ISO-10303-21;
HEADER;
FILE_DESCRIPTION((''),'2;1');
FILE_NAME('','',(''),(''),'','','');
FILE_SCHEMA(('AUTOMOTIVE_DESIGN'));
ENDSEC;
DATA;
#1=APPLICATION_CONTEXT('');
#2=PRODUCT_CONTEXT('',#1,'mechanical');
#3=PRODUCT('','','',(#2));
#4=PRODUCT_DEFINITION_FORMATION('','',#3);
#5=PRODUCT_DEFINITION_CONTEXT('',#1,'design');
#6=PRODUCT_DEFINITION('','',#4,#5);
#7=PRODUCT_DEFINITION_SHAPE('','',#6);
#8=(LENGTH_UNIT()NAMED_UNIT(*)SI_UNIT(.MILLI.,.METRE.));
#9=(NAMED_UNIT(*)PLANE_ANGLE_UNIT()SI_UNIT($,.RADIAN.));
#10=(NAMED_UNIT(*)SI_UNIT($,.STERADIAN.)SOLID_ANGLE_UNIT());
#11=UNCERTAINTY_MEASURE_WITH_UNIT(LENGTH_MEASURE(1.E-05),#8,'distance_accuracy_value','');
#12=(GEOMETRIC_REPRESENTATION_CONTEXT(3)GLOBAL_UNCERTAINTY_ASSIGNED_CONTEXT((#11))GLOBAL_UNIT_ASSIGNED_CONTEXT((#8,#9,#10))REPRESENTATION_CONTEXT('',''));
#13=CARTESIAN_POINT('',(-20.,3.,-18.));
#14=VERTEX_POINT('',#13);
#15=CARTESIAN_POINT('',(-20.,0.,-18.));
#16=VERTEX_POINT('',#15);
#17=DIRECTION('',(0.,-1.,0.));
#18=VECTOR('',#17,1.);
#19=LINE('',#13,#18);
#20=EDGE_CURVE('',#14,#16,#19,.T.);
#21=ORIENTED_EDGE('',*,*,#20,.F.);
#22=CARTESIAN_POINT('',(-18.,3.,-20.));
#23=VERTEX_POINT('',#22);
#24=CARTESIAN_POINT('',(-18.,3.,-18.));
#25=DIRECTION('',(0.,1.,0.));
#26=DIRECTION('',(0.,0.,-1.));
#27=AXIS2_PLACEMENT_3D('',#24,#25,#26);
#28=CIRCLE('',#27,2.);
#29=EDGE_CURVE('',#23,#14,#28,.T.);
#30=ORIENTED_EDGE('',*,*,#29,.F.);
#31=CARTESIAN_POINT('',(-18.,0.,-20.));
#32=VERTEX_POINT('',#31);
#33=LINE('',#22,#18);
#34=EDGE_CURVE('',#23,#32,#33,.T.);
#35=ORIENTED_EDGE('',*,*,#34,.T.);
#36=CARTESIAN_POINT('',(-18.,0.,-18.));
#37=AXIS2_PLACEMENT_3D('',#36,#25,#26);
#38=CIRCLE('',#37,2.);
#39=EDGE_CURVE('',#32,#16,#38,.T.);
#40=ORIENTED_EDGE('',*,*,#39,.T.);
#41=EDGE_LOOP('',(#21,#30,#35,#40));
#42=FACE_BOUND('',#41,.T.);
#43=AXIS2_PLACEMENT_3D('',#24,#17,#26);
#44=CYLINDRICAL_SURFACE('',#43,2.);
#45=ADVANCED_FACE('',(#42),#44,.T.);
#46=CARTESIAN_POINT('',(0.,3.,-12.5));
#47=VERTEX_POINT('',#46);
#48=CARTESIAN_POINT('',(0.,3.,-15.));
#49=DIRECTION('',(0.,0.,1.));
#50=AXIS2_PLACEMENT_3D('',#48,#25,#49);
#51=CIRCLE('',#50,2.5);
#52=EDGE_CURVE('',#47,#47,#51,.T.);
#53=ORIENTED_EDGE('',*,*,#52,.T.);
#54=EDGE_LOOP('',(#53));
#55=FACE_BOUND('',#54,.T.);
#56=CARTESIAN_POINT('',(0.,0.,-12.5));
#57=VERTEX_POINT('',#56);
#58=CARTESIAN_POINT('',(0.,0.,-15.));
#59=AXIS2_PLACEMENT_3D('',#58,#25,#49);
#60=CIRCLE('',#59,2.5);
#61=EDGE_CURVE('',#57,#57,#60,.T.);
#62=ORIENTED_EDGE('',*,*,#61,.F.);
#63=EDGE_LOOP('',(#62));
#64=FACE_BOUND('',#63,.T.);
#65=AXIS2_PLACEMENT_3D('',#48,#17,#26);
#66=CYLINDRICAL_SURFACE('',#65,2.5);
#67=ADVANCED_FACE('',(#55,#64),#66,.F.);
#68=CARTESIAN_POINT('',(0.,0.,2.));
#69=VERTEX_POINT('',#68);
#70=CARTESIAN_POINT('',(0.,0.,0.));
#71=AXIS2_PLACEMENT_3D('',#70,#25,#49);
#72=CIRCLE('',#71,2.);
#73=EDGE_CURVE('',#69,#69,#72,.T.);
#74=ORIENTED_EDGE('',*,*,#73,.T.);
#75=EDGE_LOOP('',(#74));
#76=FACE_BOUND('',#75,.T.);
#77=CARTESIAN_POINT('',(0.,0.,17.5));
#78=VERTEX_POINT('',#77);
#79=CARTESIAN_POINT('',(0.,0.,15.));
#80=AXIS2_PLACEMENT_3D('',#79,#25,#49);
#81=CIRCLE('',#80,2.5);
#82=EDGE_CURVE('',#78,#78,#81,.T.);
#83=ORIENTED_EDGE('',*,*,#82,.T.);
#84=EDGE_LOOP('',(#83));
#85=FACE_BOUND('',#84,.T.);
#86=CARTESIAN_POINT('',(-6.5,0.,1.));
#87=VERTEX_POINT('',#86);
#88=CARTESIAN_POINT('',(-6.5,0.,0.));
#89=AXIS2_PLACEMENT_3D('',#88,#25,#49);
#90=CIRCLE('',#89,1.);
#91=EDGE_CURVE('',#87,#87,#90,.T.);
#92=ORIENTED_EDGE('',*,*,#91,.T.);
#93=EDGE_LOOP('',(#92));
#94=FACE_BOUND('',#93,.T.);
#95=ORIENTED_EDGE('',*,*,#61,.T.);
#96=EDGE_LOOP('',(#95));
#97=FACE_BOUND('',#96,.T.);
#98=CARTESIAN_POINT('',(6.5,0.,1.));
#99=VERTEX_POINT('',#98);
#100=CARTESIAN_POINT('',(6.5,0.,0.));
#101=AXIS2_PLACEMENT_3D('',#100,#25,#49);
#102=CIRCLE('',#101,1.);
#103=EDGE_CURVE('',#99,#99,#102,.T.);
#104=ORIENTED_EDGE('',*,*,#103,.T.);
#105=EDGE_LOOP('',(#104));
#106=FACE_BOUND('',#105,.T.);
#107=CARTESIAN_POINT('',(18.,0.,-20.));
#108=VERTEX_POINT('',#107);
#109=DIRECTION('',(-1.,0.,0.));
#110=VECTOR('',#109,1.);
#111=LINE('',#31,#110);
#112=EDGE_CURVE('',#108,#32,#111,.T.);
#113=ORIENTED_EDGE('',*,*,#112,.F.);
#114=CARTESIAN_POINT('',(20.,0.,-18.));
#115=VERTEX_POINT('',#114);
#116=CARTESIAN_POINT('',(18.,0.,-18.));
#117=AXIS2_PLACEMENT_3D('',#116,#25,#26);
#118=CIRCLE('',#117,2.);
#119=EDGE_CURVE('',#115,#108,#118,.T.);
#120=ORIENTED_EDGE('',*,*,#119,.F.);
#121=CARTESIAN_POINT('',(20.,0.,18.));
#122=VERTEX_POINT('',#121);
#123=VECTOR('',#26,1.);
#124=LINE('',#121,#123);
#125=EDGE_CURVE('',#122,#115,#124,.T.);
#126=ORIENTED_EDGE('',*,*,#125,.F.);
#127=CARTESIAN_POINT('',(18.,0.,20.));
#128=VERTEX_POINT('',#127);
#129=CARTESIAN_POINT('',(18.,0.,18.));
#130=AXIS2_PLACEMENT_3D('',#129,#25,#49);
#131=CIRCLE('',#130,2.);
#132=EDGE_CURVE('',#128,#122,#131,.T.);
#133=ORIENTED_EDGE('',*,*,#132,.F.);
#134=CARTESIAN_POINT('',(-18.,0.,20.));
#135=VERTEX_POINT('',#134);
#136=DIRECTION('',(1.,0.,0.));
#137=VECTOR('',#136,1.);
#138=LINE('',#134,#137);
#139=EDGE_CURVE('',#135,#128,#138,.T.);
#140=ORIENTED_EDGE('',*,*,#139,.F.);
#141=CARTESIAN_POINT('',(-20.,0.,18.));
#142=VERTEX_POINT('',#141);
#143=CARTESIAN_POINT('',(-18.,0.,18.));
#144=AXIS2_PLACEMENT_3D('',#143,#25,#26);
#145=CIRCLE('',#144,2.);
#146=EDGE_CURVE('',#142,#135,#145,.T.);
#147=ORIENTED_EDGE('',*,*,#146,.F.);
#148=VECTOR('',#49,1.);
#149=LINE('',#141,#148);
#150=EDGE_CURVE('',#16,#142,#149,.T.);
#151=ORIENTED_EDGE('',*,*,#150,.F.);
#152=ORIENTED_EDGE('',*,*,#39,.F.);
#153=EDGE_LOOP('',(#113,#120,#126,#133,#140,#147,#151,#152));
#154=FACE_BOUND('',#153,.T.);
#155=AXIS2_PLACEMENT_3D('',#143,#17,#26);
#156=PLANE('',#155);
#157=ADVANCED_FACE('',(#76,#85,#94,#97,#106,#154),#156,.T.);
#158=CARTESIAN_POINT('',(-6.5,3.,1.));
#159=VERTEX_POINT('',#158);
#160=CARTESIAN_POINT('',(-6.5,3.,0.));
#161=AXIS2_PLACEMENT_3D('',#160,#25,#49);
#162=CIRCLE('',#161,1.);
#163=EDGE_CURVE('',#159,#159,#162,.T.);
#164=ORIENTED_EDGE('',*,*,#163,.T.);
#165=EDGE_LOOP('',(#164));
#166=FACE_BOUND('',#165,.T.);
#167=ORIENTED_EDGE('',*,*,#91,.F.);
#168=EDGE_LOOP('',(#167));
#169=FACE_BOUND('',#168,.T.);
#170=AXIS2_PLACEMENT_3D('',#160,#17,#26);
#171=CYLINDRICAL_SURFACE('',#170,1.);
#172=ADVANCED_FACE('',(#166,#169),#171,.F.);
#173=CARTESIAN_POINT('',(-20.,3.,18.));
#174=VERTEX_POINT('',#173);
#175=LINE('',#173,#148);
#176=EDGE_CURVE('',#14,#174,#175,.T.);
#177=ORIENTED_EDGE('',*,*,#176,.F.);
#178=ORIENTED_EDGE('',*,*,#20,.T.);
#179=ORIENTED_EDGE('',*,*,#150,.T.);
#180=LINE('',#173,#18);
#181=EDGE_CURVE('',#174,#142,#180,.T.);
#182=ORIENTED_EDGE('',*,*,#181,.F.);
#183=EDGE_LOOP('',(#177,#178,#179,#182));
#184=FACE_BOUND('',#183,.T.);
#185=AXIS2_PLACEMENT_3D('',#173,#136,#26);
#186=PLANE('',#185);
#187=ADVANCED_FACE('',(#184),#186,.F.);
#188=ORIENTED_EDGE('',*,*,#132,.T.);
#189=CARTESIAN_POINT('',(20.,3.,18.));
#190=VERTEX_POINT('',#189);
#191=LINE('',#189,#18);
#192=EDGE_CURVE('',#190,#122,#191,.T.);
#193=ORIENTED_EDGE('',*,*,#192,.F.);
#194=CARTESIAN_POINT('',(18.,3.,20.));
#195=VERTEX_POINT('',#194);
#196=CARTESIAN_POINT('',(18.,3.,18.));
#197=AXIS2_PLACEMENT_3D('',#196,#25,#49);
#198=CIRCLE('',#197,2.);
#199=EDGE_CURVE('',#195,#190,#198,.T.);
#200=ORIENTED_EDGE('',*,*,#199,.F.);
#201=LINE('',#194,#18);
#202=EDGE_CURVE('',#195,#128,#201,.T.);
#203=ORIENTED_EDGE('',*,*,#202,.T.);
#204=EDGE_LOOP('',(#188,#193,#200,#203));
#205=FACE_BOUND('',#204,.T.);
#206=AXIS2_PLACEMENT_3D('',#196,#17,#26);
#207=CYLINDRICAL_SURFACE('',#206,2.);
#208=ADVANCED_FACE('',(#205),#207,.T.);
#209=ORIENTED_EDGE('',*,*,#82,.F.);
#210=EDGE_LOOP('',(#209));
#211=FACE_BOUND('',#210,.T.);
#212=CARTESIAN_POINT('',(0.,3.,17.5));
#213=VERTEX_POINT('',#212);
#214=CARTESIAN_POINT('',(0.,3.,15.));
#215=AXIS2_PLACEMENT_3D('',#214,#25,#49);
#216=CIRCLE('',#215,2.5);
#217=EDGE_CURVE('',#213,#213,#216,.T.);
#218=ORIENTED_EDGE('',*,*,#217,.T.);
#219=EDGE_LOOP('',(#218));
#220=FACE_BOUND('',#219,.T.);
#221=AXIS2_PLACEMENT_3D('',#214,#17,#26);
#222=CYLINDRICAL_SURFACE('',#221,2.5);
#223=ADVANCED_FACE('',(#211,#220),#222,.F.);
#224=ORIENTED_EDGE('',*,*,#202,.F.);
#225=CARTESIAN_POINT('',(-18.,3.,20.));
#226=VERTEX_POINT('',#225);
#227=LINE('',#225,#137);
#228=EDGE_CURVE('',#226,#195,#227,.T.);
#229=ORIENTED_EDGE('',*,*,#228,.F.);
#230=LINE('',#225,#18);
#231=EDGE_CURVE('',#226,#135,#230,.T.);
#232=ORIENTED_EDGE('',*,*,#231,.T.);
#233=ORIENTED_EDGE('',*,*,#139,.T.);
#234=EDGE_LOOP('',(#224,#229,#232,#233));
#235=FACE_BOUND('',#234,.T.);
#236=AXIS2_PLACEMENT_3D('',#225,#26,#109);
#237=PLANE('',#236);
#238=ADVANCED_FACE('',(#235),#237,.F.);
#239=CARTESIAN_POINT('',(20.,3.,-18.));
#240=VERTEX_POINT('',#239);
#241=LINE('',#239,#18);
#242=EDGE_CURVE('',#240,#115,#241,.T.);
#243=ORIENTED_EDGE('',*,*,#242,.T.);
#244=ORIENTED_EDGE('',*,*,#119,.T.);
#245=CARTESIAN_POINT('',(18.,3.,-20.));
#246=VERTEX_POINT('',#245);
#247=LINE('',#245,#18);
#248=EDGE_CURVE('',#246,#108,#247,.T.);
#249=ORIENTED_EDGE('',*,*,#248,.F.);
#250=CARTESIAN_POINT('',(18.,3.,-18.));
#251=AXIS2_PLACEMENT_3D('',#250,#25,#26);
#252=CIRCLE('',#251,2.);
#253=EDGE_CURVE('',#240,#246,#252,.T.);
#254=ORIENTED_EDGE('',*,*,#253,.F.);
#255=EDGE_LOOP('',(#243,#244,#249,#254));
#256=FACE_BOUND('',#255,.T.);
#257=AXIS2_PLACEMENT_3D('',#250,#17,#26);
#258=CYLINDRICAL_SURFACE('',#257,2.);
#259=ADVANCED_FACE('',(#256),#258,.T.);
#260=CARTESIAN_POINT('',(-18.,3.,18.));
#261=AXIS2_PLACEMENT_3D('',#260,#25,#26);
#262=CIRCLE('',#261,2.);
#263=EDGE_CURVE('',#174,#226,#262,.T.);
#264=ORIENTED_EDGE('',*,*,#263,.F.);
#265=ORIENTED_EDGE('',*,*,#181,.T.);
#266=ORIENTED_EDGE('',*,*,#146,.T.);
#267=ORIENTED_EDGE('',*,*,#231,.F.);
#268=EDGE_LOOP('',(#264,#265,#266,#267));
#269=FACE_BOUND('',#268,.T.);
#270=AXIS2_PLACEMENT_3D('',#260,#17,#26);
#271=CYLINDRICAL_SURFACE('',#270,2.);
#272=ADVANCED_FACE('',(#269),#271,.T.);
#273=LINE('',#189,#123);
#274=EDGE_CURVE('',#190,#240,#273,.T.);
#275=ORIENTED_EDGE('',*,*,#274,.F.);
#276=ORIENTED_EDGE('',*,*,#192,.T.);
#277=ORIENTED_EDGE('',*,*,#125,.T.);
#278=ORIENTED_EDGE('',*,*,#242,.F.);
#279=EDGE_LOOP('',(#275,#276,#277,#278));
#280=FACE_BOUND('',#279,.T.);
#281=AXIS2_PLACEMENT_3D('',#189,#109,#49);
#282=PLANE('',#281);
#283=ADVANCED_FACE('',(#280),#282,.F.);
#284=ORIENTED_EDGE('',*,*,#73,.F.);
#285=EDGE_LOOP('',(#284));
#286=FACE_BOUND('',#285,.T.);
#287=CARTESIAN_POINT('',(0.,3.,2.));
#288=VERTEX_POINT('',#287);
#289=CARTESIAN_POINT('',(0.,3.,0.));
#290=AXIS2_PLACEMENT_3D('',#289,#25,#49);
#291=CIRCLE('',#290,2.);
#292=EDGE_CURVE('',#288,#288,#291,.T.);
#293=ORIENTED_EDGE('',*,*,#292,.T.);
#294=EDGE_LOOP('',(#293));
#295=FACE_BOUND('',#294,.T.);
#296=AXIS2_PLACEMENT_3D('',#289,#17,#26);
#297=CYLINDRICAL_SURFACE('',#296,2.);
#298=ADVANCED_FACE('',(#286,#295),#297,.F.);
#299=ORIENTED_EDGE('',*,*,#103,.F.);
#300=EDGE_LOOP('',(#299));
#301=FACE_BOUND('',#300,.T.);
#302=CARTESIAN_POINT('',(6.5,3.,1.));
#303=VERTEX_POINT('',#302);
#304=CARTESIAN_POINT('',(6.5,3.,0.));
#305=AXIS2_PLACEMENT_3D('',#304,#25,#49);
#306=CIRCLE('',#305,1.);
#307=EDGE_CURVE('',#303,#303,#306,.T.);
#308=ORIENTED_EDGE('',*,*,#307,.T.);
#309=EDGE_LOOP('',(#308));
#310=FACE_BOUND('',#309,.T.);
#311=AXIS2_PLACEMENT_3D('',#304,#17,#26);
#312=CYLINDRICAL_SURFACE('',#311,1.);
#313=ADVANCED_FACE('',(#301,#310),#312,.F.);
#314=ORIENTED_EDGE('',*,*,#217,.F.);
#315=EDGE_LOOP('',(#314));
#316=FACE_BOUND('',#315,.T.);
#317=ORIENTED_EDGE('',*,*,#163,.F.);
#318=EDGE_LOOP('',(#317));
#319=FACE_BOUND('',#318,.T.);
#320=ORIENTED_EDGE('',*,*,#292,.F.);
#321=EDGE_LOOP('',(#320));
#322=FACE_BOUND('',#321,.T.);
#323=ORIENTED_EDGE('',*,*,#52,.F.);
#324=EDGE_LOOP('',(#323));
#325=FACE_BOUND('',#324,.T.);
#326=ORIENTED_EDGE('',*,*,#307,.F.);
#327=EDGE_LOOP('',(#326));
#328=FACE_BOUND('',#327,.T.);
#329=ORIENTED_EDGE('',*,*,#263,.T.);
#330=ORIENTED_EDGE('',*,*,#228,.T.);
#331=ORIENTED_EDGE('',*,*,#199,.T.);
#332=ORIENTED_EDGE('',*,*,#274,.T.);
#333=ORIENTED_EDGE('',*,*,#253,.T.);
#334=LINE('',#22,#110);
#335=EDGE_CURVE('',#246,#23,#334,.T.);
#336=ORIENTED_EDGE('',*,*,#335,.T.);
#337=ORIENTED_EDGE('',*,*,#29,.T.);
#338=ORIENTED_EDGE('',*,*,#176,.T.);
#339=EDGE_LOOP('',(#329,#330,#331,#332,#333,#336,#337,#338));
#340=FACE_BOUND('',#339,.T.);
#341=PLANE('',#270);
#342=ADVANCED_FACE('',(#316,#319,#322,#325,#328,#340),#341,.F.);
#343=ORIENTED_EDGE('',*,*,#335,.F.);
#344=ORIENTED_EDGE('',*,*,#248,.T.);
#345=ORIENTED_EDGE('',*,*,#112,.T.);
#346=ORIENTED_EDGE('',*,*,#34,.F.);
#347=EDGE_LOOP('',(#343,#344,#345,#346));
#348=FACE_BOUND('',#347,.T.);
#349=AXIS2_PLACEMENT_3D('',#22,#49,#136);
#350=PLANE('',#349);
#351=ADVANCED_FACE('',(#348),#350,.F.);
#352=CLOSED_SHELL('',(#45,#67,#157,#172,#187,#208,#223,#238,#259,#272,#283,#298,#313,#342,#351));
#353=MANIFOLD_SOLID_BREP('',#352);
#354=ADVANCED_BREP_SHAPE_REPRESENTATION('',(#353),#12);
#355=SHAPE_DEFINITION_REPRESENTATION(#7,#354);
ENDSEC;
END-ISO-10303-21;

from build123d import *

# Parameters (mm, degrees)
BOSS_EXTRUDE1_DEPTH = 3
SKETCH3_R           = 2
SKETCH3_R_2         = 2.5
CUT_EXTRUDE3_DEPTH  = 29.442925307
SKETCH4_R           = 1
CUT_EXTRUDE4_DEPTH  = 3


with BuildPart() as part:
    # Sketch2 → Boss-Extrude1 (new body)
    with BuildSketch(Plane(origin=(0, 0, 0), x_dir=(1, 0, 0), z_dir=(0, 1, 0))):
        with BuildLine():
            Line((-18, -20), (18, -20))
            ThreePointArc((18, -20), (19.414213562, -19.414213562), (20, -18))
            Line((20, -18), (20, 18))
            ThreePointArc((20, 18), (19.414213562, 19.414213562), (18, 20))
            Line((18, 20), (-18, 20))
            ThreePointArc((-18, 20), (-19.414213562, 19.414213562), (-20, 18))
            Line((-20, 18), (-20, -18))
            ThreePointArc((-20, -18), (-19.414213562, -19.414213562), (-18, -20))
        make_face()
    extrude(amount=BOSS_EXTRUDE1_DEPTH)

    # Sketch3 → Cut-Extrude3 (cut, through all)
    with BuildSketch(Plane(origin=(0, 0, 0), x_dir=(1, 0, 0), z_dir=(0, 1, 0))):
        with Locations(Location((0, 0, 0), (0, 0, 270))):
            Circle(SKETCH3_R)
        with Locations(Location((0, 15, 0), (0, 0, 270))):
            Circle(SKETCH3_R_2)
        with Locations(Location((0, -15, 0), (0, 0, 270))):
            Circle(SKETCH3_R_2)
    extrude(amount=CUT_EXTRUDE3_DEPTH, mode=Mode.SUBTRACT)

    # Sketch4 → Cut-Extrude4 (cut)
    with BuildSketch(Plane(origin=(0, 0, 0), x_dir=(1, 0, 0), z_dir=(0, 1, 0))):
        with Locations(Location((6.5, 0, 0), (0, 0, 270))):
            Circle(SKETCH4_R)
        with Locations(Location((-6.5, 0, 0), (0, 0, 270))):
            Circle(SKETCH4_R)
    extrude(amount=CUT_EXTRUDE4_DEPTH, mode=Mode.SUBTRACT)


solid = part.part
